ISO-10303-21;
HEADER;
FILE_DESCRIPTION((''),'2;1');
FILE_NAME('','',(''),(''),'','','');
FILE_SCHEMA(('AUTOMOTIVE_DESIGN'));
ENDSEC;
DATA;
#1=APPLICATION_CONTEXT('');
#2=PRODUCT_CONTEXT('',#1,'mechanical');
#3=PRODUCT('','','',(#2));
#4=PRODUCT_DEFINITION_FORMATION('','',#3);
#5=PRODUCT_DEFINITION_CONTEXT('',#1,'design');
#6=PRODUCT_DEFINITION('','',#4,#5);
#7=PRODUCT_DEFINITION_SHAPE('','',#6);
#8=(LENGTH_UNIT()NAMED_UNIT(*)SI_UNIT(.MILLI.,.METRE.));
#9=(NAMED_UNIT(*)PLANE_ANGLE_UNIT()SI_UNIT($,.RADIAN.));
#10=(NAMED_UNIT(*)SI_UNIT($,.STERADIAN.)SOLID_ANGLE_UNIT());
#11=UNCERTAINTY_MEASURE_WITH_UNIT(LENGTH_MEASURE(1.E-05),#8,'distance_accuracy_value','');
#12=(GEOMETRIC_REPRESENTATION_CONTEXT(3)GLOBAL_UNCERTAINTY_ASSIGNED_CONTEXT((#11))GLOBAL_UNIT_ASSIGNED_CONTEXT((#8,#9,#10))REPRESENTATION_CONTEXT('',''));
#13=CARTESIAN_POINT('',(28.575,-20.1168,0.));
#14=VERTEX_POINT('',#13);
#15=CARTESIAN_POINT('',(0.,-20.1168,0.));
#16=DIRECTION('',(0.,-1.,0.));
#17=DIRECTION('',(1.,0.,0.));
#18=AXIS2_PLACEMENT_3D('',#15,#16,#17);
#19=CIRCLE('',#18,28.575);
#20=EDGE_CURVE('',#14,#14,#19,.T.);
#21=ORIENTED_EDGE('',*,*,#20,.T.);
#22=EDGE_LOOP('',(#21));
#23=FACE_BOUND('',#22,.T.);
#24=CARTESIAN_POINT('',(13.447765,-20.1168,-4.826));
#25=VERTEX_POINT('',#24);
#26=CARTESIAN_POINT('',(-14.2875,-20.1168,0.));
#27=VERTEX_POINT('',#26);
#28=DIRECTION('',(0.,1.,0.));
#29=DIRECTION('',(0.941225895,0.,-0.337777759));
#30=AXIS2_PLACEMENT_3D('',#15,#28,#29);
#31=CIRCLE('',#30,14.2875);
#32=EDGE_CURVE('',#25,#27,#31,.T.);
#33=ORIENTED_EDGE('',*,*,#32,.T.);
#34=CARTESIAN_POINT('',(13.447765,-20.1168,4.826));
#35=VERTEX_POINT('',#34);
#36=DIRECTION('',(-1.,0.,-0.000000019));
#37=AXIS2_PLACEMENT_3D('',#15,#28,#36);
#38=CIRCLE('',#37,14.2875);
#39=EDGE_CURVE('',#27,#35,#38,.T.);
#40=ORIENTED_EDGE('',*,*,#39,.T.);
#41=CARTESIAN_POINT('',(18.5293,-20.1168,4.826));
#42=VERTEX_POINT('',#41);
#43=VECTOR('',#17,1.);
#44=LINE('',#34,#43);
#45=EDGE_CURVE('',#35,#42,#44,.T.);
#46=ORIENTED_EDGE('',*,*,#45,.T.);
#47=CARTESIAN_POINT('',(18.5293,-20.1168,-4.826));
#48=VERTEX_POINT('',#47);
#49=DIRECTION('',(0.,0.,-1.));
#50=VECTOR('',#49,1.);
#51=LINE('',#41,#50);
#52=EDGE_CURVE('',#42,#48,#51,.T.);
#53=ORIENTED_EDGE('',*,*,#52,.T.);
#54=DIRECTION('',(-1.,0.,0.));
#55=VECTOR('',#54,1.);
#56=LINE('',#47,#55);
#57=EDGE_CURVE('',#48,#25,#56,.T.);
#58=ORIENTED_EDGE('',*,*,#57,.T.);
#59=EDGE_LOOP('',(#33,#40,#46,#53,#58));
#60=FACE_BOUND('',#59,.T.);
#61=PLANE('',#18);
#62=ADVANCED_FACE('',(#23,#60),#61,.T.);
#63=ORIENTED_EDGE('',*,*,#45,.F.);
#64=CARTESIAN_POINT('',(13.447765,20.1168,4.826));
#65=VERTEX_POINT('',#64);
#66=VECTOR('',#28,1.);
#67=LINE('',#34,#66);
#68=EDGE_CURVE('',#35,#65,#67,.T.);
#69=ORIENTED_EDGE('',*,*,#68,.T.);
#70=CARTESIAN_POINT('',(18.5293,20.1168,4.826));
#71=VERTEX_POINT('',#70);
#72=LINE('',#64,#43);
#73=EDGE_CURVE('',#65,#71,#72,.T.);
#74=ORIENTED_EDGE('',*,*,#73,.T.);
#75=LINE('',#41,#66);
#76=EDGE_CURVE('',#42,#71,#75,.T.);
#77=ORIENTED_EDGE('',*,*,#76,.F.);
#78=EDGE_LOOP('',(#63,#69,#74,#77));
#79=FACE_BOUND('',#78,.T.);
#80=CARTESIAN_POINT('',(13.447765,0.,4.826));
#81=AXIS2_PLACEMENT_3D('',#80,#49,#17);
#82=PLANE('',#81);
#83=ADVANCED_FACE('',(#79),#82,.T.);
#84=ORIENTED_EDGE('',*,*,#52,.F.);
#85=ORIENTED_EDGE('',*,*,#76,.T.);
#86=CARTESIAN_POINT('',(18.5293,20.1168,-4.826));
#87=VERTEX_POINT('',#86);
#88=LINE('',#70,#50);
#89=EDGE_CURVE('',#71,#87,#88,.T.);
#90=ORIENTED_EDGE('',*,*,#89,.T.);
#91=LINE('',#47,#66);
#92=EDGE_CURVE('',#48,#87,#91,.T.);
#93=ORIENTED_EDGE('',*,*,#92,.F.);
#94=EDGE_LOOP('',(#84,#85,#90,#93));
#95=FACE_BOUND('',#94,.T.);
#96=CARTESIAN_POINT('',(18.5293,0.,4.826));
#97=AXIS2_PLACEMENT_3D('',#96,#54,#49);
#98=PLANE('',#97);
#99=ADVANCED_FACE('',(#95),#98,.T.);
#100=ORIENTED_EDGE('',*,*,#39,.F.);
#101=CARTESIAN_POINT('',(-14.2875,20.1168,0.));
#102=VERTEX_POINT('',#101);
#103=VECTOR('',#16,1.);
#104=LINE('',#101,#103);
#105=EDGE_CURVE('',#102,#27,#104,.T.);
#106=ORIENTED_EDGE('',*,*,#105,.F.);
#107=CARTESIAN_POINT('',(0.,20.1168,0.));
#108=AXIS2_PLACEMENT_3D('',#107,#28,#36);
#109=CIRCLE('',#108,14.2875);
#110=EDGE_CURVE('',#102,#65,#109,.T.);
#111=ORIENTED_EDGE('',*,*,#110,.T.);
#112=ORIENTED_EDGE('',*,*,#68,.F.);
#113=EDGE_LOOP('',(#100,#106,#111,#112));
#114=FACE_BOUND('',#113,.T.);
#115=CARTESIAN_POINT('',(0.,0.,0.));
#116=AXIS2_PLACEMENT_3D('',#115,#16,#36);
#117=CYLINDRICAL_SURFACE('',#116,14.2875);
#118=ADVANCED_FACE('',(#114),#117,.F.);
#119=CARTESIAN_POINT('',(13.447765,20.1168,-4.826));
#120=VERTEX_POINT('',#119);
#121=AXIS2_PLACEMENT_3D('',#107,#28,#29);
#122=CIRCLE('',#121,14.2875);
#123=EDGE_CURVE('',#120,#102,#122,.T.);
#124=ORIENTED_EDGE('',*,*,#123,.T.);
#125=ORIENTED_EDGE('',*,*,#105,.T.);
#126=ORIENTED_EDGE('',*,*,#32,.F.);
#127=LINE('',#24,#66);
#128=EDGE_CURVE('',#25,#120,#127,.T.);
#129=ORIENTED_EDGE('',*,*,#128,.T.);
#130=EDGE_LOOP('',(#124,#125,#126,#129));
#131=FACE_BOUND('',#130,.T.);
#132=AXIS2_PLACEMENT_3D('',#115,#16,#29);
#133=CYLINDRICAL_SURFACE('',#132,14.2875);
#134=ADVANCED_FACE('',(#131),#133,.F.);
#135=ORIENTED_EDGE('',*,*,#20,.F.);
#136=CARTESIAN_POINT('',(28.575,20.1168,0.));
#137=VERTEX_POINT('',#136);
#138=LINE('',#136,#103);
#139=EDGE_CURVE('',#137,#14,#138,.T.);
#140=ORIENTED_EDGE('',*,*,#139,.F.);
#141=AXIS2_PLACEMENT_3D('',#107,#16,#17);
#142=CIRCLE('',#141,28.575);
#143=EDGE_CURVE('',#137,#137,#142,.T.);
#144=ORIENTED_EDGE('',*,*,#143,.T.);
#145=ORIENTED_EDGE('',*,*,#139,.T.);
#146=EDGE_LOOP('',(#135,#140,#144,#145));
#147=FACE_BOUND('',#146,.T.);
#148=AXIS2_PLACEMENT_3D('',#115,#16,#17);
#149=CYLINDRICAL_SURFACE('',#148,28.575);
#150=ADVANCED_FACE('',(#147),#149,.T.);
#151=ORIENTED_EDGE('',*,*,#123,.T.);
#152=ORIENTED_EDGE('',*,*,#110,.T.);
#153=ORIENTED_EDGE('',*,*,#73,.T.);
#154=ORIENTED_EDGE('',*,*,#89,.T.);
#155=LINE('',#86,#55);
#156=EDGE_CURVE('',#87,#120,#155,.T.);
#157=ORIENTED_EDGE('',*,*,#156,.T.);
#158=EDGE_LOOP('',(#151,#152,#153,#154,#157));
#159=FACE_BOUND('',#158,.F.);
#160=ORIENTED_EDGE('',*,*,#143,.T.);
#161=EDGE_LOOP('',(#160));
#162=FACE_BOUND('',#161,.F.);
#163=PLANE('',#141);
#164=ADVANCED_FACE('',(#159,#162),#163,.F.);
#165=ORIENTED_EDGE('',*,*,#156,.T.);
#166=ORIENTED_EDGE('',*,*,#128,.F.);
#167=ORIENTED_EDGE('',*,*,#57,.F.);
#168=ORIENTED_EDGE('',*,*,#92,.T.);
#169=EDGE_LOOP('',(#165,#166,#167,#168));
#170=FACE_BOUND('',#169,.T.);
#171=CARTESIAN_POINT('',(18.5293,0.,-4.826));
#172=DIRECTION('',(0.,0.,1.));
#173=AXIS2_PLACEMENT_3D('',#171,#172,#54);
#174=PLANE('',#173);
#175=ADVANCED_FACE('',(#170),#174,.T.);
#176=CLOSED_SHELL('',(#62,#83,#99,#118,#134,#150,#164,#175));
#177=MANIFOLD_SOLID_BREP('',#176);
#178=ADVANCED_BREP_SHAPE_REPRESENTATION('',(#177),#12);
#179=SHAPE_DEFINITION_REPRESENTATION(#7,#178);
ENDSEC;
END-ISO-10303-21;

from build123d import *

# Parameters (mm, degrees)
F0_R     = 28.575
F1_DEPTH = 20.1168


with BuildPart() as f1:
    # F0 (on Front) → F1 (new body, symmetric)
    with BuildSketch(Plane.XZ):
        Circle(F0_R)
        with BuildLine():
            ThreePointArc((-14.2875, 0), (-2.449257, 14.076001), (13.447765, 4.826))
            Line((13.447765, 4.826), (18.5293, 4.826))
            Line((18.5293, 4.826), (18.5293, 0))
            Line((18.5293, 0), (18.5293, -4.826))
            Line((18.5293, -4.826), (13.447765, -4.826))
            ThreePointArc((13.447765, -4.826), (-2.449257, -14.076001), (-14.2875, 0))
        make_face(mode=Mode.SUBTRACT)
    extrude(amount=F1_DEPTH, both=True)


solid = f1.part
